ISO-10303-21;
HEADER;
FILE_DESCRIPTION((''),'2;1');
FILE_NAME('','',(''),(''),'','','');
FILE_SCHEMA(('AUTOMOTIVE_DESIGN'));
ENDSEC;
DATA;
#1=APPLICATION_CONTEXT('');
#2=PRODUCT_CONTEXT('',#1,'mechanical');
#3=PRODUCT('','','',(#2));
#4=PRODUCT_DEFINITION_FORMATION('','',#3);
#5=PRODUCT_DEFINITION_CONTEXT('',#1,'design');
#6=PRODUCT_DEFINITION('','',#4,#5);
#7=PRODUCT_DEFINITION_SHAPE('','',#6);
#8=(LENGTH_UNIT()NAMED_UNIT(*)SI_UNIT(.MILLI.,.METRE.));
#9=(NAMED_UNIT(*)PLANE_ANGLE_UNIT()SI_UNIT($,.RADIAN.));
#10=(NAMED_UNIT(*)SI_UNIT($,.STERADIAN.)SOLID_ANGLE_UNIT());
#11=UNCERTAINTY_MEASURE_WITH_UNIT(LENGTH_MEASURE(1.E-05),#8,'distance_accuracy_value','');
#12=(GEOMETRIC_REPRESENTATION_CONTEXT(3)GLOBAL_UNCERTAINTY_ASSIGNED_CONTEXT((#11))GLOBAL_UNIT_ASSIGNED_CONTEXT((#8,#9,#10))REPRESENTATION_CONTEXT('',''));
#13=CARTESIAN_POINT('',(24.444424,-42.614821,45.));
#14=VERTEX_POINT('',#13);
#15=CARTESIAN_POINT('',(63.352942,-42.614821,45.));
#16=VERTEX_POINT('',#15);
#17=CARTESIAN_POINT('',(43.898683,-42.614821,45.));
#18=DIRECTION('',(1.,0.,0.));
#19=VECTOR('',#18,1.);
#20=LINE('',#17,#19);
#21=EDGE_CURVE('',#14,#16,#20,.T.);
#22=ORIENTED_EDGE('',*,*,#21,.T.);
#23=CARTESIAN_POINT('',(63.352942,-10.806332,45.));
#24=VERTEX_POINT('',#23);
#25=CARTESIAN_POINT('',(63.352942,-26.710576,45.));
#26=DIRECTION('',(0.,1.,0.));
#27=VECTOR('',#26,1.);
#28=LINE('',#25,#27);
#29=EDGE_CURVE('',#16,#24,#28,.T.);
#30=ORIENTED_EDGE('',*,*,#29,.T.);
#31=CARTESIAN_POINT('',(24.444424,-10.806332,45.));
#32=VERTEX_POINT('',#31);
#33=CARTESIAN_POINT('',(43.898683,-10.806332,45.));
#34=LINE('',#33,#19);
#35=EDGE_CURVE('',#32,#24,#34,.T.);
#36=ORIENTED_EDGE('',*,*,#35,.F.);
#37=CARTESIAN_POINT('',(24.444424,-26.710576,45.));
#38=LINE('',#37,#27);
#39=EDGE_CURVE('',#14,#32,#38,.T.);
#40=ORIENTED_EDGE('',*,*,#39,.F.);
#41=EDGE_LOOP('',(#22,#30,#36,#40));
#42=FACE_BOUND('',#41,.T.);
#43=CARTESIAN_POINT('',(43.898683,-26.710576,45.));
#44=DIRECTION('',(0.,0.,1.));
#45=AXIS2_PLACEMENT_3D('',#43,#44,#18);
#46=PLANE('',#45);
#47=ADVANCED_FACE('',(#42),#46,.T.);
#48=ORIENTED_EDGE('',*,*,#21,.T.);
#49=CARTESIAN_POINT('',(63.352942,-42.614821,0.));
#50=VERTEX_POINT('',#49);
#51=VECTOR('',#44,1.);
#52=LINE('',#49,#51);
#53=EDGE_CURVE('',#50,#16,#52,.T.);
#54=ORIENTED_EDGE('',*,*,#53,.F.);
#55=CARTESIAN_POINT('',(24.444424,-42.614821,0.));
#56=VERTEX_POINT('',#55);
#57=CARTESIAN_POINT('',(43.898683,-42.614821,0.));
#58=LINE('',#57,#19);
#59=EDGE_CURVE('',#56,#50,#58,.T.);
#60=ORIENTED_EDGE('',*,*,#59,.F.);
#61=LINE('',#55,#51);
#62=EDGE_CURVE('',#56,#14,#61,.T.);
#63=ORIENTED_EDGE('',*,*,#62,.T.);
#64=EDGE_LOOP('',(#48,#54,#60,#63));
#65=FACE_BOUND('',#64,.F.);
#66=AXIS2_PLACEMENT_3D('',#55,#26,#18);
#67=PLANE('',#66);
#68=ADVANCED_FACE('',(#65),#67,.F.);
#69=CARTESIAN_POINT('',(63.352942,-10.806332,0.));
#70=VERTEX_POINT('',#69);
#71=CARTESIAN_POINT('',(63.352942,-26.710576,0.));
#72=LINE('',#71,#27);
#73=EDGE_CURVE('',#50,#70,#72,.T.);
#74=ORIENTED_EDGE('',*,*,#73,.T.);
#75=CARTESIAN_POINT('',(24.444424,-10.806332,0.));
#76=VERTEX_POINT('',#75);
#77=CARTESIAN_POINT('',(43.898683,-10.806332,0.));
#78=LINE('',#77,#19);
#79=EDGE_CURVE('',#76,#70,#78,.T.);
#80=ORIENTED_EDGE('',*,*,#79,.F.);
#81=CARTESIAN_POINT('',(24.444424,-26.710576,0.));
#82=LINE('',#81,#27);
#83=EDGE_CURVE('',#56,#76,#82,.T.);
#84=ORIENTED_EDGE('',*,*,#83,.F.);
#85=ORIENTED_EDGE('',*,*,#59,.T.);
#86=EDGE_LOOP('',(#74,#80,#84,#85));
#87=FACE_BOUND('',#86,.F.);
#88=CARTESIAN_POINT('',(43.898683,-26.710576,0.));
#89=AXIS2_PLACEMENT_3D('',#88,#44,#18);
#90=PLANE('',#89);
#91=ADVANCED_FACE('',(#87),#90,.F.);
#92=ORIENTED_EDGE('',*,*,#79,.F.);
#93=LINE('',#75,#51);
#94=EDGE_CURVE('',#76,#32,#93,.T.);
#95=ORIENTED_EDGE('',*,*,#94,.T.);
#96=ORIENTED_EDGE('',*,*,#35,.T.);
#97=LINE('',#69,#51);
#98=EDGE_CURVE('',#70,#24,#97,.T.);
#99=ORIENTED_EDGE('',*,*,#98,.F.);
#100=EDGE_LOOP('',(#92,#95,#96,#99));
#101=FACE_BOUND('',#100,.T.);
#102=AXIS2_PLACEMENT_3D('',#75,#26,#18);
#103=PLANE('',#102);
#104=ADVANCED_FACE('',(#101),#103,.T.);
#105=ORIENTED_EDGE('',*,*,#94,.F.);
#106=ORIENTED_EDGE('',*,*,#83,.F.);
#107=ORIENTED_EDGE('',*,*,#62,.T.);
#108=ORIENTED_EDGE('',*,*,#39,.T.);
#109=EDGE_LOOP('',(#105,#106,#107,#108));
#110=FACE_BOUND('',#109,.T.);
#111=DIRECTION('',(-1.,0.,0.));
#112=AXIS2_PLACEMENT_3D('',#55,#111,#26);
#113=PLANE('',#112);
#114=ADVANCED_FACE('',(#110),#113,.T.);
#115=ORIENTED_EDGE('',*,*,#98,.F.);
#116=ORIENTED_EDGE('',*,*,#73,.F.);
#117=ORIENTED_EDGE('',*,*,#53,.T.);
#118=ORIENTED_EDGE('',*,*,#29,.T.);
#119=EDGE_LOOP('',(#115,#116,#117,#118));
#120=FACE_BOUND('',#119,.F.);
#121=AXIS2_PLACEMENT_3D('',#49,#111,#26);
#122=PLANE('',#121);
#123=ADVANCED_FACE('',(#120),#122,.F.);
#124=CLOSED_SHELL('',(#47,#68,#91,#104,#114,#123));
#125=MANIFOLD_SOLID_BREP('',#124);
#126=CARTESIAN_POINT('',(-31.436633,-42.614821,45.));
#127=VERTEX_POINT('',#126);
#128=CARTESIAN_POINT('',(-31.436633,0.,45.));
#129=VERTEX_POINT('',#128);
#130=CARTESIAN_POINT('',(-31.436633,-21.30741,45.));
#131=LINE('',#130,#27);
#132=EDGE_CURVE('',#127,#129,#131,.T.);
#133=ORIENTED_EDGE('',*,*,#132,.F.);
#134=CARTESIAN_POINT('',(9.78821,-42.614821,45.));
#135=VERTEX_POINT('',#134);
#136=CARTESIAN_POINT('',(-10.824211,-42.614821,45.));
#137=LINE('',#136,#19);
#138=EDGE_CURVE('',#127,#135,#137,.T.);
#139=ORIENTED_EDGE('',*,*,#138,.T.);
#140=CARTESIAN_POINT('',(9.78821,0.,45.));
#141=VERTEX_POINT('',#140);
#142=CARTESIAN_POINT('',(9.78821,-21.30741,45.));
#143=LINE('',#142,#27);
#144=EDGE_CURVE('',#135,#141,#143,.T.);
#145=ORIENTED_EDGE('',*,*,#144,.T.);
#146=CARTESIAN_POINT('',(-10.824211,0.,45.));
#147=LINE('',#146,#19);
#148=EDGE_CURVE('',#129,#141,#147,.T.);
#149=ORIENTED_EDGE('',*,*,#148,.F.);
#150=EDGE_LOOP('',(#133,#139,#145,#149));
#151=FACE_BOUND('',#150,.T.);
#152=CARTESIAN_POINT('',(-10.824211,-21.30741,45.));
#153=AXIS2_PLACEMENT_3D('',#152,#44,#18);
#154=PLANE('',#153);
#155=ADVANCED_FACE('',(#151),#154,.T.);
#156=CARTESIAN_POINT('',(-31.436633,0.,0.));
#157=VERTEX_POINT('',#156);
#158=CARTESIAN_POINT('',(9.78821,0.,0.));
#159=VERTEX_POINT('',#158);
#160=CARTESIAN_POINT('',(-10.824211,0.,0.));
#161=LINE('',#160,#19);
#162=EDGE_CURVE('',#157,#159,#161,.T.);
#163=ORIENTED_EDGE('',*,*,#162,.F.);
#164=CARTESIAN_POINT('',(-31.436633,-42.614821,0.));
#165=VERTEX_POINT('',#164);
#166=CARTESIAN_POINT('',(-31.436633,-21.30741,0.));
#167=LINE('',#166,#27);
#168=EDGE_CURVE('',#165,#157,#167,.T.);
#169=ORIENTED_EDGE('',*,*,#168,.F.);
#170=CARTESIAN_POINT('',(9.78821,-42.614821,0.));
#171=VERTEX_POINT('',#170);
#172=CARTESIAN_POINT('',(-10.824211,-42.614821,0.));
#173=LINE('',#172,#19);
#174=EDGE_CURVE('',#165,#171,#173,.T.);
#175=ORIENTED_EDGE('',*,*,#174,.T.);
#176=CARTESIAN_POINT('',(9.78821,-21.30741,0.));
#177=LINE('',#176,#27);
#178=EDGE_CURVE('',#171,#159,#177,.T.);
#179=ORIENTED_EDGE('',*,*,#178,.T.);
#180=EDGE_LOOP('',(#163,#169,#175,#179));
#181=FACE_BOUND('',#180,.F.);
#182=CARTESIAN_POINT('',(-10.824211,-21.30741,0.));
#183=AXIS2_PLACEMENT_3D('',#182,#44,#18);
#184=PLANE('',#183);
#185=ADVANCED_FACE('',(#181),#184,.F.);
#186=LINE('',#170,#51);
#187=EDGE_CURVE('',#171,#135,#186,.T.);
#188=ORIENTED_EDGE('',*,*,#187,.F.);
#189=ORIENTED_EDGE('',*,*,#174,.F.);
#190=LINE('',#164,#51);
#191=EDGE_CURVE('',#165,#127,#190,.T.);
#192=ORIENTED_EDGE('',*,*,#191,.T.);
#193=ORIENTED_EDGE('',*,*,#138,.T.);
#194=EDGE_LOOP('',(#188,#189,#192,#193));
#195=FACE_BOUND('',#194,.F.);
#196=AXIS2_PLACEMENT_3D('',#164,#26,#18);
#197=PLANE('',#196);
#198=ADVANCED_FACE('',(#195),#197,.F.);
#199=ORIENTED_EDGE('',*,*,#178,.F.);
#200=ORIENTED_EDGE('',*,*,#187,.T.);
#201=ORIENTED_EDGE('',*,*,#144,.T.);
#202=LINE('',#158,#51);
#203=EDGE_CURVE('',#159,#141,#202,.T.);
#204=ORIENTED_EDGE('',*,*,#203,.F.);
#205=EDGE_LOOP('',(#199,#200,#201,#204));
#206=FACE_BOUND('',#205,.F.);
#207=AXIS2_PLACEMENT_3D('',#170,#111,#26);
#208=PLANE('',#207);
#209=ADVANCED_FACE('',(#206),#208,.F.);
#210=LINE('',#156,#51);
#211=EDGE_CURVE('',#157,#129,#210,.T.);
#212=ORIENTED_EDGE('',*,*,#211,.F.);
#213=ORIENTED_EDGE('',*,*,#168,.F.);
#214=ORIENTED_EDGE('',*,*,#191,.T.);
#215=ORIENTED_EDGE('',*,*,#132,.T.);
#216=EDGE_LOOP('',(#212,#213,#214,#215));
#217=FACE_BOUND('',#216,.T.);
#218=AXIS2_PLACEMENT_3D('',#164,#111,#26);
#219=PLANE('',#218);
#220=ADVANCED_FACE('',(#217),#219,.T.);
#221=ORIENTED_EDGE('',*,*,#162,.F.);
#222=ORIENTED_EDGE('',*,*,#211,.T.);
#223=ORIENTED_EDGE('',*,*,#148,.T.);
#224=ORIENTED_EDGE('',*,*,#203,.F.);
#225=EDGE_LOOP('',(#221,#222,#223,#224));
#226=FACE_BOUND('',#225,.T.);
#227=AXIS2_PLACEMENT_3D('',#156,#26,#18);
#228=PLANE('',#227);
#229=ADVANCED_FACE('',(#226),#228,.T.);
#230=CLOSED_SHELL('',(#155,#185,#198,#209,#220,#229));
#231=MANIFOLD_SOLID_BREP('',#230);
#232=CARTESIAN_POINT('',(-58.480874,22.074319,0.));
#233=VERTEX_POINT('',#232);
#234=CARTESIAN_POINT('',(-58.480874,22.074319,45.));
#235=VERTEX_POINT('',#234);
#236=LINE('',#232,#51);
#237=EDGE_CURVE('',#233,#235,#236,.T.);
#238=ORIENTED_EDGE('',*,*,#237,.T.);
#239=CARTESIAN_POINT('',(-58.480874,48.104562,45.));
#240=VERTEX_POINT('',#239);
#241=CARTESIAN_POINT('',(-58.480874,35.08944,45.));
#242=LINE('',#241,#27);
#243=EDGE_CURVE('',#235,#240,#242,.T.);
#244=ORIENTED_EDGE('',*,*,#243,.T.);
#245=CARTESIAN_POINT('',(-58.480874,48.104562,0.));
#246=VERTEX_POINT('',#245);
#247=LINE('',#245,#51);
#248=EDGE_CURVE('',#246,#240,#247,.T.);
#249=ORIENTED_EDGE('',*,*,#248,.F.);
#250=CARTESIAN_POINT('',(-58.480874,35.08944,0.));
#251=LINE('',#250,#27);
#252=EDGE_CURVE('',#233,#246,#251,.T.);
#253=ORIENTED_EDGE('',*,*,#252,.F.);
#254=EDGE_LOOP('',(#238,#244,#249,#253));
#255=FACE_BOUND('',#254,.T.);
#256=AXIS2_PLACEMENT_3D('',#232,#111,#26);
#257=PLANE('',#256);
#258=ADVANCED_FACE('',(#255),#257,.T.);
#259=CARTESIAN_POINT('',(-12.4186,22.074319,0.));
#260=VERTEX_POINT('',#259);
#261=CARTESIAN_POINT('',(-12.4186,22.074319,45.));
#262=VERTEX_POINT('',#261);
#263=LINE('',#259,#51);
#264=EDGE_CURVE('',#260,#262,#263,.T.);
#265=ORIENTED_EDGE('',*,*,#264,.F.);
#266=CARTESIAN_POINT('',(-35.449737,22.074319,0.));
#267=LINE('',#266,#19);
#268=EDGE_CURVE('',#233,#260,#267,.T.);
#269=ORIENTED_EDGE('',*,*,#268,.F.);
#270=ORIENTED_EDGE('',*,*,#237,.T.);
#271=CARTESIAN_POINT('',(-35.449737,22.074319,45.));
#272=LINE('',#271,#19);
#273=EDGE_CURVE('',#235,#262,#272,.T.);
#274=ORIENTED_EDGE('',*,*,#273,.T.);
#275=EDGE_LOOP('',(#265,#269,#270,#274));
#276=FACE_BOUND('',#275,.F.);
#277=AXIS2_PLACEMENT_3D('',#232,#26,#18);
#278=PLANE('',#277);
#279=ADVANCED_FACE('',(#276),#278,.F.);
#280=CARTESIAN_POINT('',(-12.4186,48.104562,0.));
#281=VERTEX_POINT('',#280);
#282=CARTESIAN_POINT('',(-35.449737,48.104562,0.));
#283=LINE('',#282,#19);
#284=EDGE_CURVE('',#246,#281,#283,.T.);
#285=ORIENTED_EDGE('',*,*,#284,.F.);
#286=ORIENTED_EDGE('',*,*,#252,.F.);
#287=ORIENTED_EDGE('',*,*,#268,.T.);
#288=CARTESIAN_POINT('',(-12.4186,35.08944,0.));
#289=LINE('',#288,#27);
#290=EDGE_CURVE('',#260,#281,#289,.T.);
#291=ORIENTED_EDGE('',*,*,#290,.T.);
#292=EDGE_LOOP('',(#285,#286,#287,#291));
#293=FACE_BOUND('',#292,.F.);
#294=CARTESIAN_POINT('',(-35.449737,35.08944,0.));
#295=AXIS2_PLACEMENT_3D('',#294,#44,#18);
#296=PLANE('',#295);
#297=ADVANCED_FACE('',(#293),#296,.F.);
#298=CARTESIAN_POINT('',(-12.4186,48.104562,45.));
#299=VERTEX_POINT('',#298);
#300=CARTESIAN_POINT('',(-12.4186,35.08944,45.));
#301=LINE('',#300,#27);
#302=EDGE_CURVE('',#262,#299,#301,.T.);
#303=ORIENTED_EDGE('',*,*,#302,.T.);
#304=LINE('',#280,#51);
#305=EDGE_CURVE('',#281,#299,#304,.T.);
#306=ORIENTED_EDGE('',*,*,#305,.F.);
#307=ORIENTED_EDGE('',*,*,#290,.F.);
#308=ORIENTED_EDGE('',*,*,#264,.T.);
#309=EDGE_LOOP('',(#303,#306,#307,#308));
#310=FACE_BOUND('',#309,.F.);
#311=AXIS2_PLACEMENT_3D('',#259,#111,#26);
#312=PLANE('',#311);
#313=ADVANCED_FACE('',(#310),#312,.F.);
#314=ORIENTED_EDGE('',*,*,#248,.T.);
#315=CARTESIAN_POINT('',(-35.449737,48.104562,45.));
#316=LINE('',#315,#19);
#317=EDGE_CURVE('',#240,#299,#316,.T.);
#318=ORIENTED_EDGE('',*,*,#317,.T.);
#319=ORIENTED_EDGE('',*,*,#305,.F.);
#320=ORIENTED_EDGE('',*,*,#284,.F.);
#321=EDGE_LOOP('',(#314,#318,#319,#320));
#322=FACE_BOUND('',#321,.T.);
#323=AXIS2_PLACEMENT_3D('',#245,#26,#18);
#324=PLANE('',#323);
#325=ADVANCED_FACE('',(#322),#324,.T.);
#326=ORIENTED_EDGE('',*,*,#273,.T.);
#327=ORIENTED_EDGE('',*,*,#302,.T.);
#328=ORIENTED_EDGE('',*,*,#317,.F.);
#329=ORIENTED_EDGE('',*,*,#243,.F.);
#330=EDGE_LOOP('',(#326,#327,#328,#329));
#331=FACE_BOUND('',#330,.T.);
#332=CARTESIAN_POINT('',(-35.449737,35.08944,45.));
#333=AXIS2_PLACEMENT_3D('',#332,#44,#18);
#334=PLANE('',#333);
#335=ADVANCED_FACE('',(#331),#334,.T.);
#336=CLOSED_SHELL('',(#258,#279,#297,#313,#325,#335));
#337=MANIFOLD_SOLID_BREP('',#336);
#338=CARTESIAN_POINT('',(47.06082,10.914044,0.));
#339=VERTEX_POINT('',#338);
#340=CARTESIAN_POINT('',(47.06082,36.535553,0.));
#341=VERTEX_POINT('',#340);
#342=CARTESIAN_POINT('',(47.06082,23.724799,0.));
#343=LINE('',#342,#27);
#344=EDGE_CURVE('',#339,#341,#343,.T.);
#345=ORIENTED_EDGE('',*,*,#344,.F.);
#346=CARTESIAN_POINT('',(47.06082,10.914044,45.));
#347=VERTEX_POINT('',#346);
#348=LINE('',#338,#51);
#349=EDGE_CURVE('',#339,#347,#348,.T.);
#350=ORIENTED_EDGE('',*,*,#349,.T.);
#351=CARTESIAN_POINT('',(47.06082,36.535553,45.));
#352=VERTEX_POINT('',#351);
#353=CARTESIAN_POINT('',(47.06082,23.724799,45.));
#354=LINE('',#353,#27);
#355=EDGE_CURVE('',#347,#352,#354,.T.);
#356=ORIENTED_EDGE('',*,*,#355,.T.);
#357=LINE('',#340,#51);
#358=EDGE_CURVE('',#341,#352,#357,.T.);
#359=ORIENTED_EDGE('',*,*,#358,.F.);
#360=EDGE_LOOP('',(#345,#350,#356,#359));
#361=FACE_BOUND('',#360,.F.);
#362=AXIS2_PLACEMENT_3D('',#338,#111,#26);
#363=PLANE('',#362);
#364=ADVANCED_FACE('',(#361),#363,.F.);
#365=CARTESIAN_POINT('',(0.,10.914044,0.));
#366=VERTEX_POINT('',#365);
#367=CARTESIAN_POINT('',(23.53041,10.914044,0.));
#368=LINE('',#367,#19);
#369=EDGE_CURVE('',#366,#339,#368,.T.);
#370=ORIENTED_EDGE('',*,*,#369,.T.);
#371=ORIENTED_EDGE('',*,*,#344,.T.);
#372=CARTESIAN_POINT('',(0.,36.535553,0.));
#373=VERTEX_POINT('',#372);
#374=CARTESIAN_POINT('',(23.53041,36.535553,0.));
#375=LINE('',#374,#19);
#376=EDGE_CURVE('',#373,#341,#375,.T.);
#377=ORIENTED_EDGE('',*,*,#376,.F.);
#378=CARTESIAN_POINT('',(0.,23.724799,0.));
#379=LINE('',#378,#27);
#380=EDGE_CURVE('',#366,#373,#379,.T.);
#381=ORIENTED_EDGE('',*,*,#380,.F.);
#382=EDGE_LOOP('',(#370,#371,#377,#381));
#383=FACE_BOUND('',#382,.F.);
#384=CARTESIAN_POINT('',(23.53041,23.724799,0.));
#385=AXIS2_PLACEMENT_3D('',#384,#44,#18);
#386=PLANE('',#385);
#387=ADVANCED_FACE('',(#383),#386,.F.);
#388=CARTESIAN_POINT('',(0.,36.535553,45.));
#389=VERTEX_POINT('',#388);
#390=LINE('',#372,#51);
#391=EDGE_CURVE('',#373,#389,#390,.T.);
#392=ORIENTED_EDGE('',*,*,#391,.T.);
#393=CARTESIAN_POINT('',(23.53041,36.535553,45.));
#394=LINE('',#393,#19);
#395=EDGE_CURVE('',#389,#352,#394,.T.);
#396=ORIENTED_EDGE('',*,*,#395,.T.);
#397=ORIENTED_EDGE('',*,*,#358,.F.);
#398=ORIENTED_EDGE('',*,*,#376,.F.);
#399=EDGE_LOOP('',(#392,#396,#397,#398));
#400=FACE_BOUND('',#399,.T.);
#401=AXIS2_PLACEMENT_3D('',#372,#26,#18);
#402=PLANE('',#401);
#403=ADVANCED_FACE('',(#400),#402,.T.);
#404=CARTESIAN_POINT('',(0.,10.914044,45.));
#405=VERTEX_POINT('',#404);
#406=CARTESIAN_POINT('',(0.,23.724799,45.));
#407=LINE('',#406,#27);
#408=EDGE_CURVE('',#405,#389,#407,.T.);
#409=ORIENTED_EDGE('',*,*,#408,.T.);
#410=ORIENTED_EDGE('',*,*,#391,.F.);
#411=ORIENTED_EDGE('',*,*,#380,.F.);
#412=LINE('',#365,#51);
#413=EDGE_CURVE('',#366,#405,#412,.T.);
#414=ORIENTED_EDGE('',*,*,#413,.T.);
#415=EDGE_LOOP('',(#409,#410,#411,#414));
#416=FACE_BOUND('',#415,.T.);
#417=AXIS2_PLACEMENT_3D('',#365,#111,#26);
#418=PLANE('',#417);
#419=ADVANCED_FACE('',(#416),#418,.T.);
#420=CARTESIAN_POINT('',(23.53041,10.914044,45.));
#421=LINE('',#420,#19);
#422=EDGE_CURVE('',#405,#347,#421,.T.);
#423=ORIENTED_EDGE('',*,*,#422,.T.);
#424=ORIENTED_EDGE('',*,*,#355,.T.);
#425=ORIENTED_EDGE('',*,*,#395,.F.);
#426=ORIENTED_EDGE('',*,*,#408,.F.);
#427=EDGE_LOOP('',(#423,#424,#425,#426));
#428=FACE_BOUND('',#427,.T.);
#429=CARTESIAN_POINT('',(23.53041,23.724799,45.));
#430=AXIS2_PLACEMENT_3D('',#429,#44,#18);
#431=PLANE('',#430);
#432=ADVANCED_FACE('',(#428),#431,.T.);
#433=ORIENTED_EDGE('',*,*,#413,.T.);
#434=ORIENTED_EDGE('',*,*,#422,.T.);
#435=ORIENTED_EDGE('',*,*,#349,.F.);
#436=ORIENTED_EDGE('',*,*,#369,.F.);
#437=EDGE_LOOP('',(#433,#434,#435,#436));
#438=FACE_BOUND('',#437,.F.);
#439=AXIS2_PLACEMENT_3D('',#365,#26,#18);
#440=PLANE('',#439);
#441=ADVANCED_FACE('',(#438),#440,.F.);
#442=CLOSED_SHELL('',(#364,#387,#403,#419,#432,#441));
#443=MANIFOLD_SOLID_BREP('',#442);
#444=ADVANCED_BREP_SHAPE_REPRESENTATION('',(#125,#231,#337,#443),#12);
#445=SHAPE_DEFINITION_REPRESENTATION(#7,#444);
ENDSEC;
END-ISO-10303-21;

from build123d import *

# Parameters (mm, degrees)
F0_W     = 41.224843
F0_H     = 42.614821
F0_W_2   = 47.060821
F0_H_2   = 25.621509
F0_W_3   = 38.908518
F0_H_3   = 31.808489
F0_W_4   = 46.062274
F0_H_4   = 26.030243
F1_DEPTH = 45


with BuildPart() as f1:
    # F0 (on Top) → F1 (new body)
    with BuildSketch(Plane.XY):
        with Locations((-10.824211, -21.30741)):
            Rectangle(F0_W, F0_H)
        with Locations((23.53041, 23.724799)):
            Rectangle(F0_W_2, F0_H_2)
        with Locations((43.898683, -26.710576)):
            Rectangle(F0_W_3, F0_H_3)
        with Locations((-35.449737, 35.08944)):
            Rectangle(F0_W_4, F0_H_4)
    extrude(amount=F1_DEPTH)


solid = f1.part
